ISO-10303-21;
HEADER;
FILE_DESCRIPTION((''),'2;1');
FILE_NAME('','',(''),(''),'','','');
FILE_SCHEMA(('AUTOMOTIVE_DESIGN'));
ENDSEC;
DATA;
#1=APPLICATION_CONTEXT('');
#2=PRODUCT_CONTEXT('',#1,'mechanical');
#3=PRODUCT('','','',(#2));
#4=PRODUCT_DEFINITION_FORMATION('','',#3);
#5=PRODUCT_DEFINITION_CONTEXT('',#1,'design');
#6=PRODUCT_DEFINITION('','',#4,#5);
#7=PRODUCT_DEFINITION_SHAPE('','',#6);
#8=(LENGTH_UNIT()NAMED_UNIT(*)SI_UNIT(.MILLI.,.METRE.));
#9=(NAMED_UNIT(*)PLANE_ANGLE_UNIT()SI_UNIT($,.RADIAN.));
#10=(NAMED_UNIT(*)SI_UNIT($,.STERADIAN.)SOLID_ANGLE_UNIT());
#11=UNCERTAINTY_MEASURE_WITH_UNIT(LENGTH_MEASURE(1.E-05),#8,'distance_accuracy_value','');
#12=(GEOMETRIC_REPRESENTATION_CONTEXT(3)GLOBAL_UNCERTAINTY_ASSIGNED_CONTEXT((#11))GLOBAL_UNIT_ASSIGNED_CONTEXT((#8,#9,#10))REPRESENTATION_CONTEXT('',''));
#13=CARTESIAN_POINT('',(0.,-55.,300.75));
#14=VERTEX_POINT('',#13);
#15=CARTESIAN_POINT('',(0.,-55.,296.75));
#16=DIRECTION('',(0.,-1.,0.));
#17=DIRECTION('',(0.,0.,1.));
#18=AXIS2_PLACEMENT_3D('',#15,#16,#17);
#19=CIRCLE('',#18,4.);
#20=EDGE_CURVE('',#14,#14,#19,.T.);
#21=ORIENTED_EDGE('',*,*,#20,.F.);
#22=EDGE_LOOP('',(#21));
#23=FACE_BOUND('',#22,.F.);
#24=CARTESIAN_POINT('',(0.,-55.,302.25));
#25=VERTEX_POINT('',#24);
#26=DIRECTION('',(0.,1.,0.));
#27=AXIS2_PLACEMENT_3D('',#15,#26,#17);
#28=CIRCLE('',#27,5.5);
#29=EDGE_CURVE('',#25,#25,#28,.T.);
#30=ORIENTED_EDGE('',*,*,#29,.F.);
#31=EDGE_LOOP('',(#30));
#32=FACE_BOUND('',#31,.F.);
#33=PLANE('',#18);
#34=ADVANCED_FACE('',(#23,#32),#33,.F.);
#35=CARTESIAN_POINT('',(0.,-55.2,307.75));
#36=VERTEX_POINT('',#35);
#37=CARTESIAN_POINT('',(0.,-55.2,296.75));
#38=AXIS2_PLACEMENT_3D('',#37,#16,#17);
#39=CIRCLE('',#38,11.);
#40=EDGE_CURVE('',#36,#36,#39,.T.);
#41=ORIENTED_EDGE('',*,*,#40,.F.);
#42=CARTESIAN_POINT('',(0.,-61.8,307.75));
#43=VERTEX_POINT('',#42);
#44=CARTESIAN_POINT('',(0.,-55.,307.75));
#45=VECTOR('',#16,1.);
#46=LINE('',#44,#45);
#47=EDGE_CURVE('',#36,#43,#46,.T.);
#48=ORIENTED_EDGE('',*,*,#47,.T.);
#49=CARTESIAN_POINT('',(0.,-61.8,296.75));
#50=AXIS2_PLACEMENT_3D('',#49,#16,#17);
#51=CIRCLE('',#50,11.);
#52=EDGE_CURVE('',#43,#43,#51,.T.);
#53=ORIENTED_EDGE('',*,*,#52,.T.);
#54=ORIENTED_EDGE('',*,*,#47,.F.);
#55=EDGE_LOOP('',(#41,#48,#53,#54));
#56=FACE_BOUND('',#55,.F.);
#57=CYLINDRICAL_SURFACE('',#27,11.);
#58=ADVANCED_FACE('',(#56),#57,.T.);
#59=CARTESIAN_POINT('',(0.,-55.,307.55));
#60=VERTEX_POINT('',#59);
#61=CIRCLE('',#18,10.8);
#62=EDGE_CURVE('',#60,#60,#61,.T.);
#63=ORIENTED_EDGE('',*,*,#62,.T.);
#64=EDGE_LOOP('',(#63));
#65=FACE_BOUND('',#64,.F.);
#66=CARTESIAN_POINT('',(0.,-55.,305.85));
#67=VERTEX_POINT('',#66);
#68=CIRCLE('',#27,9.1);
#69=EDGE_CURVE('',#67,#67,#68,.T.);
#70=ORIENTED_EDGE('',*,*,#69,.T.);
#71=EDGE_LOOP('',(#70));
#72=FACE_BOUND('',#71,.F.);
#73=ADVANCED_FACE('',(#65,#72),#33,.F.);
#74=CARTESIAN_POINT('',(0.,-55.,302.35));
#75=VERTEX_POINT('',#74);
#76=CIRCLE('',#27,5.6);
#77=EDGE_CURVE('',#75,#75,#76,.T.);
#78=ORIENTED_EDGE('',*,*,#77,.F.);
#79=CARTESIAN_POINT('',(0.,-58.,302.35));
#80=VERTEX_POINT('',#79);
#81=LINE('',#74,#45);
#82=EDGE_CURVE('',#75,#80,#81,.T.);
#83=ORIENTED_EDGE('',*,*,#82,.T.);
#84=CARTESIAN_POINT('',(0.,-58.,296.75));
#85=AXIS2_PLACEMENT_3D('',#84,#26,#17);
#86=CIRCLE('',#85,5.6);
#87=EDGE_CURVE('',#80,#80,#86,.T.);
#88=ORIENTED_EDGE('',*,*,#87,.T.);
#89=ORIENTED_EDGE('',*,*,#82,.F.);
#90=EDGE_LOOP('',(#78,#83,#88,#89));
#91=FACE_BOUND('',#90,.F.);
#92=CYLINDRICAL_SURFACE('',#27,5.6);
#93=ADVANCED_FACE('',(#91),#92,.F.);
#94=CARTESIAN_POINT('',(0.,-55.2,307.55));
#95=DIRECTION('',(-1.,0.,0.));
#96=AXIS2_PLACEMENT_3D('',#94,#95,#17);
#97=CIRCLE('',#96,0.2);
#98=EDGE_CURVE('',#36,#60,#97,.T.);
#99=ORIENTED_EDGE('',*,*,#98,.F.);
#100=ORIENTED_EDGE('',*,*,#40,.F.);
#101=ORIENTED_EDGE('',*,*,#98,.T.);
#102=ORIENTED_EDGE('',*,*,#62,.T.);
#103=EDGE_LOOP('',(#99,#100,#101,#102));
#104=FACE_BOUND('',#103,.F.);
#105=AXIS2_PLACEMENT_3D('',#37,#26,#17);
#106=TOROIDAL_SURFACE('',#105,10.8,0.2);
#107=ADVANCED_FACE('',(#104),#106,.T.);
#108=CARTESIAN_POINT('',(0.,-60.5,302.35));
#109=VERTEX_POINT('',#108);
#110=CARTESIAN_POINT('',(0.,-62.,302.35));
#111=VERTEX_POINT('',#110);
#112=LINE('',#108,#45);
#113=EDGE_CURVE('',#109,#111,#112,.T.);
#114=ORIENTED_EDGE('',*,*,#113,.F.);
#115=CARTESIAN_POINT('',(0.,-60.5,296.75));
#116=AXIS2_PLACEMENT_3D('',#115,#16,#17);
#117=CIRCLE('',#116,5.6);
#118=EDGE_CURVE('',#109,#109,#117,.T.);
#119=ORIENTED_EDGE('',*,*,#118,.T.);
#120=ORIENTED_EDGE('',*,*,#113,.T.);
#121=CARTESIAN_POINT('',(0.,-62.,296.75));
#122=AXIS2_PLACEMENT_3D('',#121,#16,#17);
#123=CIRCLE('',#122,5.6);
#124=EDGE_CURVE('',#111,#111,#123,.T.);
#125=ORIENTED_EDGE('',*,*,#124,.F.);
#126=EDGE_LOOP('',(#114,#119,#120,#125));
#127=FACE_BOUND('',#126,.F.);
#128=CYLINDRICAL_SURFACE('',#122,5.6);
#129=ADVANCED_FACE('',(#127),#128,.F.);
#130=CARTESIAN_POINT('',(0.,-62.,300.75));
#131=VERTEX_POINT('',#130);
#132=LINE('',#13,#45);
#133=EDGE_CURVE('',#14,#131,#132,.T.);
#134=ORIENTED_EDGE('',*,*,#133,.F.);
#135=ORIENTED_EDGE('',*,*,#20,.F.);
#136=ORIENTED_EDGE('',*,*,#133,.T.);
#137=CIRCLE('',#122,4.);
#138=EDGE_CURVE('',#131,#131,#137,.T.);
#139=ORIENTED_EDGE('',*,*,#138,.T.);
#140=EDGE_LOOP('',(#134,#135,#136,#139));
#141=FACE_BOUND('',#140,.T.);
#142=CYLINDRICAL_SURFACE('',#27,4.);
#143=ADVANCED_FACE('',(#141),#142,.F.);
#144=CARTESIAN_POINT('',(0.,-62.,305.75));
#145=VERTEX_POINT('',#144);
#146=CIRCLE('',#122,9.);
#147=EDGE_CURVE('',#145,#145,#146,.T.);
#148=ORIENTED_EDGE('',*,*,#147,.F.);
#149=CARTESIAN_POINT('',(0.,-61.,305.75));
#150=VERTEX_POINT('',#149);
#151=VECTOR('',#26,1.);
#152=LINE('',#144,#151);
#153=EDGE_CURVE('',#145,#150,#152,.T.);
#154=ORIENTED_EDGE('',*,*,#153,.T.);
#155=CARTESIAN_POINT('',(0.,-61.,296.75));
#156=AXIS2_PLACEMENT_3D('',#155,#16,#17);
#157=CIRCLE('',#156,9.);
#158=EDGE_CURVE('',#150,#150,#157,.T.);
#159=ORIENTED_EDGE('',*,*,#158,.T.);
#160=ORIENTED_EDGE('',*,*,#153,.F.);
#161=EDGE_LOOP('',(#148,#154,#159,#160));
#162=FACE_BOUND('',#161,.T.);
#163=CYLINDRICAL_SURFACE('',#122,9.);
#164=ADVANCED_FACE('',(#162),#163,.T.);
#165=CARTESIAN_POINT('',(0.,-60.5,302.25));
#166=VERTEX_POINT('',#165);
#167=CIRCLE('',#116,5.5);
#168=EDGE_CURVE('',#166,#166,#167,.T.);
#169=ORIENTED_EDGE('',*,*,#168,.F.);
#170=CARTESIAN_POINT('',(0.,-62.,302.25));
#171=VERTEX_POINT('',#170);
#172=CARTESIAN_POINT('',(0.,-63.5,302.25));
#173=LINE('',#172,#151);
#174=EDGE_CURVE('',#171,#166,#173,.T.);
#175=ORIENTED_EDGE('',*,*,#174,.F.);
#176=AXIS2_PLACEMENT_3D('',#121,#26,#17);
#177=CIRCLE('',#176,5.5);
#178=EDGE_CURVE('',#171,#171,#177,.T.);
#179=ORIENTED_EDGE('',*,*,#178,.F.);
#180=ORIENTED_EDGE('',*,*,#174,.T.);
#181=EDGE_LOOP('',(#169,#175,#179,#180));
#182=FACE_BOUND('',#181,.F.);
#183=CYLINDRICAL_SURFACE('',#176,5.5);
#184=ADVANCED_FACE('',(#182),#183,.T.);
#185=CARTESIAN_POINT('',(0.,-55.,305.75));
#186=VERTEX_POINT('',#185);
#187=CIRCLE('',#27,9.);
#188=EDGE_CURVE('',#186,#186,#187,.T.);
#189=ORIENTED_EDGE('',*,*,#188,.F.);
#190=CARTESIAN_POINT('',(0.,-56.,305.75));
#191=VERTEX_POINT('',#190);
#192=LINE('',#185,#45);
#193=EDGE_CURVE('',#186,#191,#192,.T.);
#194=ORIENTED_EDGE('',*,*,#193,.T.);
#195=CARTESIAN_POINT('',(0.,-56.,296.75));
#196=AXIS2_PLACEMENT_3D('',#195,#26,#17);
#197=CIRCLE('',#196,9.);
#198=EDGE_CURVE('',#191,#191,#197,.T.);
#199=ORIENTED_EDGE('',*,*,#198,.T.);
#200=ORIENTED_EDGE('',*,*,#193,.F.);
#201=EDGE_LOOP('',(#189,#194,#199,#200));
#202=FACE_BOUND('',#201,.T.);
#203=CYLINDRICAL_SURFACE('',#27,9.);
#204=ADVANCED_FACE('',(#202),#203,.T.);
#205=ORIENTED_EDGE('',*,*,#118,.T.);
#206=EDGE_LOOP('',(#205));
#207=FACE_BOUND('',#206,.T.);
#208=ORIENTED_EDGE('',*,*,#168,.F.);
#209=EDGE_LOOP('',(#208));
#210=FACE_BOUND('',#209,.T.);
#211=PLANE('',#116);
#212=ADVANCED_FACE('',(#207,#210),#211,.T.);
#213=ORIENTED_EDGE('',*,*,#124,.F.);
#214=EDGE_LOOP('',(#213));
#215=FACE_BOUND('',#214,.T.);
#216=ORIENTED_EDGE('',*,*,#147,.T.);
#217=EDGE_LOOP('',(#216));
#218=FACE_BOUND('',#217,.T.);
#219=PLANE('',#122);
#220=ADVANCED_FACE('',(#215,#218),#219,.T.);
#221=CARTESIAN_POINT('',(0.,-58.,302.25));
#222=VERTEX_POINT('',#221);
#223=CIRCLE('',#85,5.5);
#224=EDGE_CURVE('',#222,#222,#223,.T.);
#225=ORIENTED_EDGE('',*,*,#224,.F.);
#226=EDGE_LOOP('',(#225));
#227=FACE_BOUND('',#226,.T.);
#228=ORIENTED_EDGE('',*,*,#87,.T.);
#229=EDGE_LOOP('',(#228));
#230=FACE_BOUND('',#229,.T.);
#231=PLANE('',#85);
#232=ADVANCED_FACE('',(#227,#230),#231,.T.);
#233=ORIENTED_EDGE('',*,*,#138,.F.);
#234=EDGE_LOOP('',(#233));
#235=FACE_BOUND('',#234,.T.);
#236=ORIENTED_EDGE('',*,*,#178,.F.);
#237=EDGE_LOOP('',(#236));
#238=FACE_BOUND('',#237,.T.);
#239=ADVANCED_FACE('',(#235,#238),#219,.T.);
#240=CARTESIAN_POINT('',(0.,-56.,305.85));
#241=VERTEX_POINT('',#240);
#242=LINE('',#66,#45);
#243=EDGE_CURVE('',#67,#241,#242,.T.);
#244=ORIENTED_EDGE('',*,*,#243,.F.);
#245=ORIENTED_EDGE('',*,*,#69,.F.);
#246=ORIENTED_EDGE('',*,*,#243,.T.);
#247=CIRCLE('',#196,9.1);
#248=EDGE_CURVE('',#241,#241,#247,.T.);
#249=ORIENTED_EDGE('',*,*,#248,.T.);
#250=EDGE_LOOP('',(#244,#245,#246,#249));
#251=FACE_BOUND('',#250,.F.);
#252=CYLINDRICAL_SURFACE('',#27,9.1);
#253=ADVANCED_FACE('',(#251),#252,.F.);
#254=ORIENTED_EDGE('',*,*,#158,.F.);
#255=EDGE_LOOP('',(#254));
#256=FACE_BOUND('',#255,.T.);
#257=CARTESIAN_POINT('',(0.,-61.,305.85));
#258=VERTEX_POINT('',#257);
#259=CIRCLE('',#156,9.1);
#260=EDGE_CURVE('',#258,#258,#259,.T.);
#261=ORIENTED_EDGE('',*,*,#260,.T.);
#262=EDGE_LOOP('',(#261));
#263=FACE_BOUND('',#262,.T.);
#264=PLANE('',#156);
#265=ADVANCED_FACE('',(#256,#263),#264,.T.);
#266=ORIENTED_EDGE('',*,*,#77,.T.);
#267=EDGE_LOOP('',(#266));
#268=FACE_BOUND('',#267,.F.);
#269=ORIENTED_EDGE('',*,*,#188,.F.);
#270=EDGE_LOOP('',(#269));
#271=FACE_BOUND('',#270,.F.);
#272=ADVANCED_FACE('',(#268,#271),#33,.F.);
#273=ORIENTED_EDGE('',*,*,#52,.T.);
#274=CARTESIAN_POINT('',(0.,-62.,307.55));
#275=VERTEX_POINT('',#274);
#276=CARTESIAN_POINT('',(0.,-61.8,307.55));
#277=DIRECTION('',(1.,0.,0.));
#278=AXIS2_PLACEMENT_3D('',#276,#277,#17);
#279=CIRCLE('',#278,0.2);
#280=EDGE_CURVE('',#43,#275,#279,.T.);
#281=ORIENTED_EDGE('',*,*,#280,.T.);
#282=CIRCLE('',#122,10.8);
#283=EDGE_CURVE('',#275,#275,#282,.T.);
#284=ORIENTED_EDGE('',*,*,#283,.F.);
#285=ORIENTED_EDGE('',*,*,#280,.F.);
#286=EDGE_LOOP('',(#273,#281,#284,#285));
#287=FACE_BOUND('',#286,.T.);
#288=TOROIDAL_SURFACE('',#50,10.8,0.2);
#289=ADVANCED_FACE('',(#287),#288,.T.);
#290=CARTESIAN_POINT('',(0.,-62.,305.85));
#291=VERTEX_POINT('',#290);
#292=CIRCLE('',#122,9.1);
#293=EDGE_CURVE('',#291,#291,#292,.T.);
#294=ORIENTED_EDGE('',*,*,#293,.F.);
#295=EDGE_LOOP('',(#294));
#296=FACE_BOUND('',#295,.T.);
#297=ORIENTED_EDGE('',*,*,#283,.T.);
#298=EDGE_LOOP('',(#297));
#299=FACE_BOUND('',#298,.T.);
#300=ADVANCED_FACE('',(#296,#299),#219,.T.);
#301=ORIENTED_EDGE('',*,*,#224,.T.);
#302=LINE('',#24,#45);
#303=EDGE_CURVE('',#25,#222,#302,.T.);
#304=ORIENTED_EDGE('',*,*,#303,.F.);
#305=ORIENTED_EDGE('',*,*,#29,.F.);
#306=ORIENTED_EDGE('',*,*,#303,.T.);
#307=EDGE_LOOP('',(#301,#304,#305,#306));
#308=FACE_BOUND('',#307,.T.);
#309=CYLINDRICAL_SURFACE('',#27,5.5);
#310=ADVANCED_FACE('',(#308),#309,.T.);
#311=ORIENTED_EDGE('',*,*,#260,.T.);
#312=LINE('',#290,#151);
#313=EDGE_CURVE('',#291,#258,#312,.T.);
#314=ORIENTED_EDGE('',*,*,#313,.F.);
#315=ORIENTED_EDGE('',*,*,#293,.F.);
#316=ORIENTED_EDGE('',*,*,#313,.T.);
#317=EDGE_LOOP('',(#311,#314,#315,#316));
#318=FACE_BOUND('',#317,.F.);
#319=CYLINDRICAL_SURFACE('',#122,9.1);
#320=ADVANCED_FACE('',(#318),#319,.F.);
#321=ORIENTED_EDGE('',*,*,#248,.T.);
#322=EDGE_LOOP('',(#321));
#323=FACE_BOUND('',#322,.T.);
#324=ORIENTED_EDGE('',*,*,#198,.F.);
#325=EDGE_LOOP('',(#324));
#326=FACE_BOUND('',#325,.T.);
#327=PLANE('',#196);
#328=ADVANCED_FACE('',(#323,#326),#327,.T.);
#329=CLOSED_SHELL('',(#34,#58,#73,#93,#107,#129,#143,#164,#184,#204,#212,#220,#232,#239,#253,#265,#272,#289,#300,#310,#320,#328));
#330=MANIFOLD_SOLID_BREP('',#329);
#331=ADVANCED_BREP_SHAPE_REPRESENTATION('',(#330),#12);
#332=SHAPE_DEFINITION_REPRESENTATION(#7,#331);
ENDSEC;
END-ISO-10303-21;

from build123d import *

# Parameters (mm, degrees)
SKETCH122_R             = 11
SKETCH122_R_2           = 4
PAD038_DEPTH            = 7
SKETCH124_R             = 5.6
SKETCH124_R_2           = 5.5
POCKET074_DEPTH         = 1.5
SKETCH123_R             = 5.6
SKETCH123_R_2           = 5.5
POCKET076_DEPTH         = 3
SKETCH120_R             = 9.1
SKETCH120_R_2           = 9
POCKET077_DEPTH         = 1
SKETCH121_R             = 9.1
SKETCH121_R_2           = 9
POCKET075_DEPTH         = 1
FILLET003_R             = 0.2
BODY029_PITCH_ANGLE     = -90
BODY029_PLACEMENT_ANGLE = 90


with BuildPart() as part:
    # Sketch122 → Pad038 (new body)
    with BuildSketch(Plane.XY):
        Circle(SKETCH122_R)
        Circle(SKETCH122_R_2, mode=Mode.SUBTRACT)
    extrude(amount=PAD038_DEPTH)

    # Sketch124 (on Face4 of Pad038) → Pocket074 (cut, symmetric)
    with BuildSketch(Plane.XY.offset(7)):
        Circle(SKETCH124_R)
        Circle(SKETCH124_R_2, mode=Mode.SUBTRACT)
    extrude(amount=POCKET074_DEPTH, both=True, mode=Mode.SUBTRACT)

    # Sketch123 (on Face2 of Pocket074) → Pocket076 (cut)
    with BuildSketch(Plane(origin=(0, 0, 0), x_dir=(1, 0, 0), z_dir=(0, 0, -1))):
        Circle(SKETCH123_R)
        Circle(SKETCH123_R_2, mode=Mode.SUBTRACT)
    extrude(amount=-POCKET076_DEPTH, mode=Mode.SUBTRACT)

    # Sketch120 (on Face3 of Pocket076) → Pocket077 (cut)
    with BuildSketch(Plane.XY.offset(7)):
        Circle(SKETCH120_R)
        Circle(SKETCH120_R_2, mode=Mode.SUBTRACT)
    extrude(amount=-POCKET077_DEPTH, mode=Mode.SUBTRACT)

    # Sketch121 (on Face2 of Pocket077) → Pocket075 (cut)
    with BuildSketch(Plane(origin=(0, 0, 0), x_dir=(1, 0, 0), z_dir=(0, 0, -1))):
        Circle(SKETCH121_R)
        Circle(SKETCH121_R_2, mode=Mode.SUBTRACT)
    extrude(amount=-POCKET075_DEPTH, mode=Mode.SUBTRACT)

    # Fillet003
    fillet003_edges = [part.edges().sort_by_distance(p)[0] for p in [
        (-11, 0, 0),
        (-11, 0, 7),
    ]]
    fillet(fillet003_edges, radius=FILLET003_R)


with BuildPart() as part_1:
    # Body029 pitch: moved
    add(part.part.rotate(Axis((0, 0, 0), (0, 1, 0)), BODY029_PITCH_ANGLE))


with BuildPart() as part_2:
    # Body029 placement: moved
    add(part_1.part.moved(Location((0, -55, 296.75))).rotate(Axis((0, -55, 296.75), (0, 0, 1)), BODY029_PLACEMENT_ANGLE))


solid = part_2.part
